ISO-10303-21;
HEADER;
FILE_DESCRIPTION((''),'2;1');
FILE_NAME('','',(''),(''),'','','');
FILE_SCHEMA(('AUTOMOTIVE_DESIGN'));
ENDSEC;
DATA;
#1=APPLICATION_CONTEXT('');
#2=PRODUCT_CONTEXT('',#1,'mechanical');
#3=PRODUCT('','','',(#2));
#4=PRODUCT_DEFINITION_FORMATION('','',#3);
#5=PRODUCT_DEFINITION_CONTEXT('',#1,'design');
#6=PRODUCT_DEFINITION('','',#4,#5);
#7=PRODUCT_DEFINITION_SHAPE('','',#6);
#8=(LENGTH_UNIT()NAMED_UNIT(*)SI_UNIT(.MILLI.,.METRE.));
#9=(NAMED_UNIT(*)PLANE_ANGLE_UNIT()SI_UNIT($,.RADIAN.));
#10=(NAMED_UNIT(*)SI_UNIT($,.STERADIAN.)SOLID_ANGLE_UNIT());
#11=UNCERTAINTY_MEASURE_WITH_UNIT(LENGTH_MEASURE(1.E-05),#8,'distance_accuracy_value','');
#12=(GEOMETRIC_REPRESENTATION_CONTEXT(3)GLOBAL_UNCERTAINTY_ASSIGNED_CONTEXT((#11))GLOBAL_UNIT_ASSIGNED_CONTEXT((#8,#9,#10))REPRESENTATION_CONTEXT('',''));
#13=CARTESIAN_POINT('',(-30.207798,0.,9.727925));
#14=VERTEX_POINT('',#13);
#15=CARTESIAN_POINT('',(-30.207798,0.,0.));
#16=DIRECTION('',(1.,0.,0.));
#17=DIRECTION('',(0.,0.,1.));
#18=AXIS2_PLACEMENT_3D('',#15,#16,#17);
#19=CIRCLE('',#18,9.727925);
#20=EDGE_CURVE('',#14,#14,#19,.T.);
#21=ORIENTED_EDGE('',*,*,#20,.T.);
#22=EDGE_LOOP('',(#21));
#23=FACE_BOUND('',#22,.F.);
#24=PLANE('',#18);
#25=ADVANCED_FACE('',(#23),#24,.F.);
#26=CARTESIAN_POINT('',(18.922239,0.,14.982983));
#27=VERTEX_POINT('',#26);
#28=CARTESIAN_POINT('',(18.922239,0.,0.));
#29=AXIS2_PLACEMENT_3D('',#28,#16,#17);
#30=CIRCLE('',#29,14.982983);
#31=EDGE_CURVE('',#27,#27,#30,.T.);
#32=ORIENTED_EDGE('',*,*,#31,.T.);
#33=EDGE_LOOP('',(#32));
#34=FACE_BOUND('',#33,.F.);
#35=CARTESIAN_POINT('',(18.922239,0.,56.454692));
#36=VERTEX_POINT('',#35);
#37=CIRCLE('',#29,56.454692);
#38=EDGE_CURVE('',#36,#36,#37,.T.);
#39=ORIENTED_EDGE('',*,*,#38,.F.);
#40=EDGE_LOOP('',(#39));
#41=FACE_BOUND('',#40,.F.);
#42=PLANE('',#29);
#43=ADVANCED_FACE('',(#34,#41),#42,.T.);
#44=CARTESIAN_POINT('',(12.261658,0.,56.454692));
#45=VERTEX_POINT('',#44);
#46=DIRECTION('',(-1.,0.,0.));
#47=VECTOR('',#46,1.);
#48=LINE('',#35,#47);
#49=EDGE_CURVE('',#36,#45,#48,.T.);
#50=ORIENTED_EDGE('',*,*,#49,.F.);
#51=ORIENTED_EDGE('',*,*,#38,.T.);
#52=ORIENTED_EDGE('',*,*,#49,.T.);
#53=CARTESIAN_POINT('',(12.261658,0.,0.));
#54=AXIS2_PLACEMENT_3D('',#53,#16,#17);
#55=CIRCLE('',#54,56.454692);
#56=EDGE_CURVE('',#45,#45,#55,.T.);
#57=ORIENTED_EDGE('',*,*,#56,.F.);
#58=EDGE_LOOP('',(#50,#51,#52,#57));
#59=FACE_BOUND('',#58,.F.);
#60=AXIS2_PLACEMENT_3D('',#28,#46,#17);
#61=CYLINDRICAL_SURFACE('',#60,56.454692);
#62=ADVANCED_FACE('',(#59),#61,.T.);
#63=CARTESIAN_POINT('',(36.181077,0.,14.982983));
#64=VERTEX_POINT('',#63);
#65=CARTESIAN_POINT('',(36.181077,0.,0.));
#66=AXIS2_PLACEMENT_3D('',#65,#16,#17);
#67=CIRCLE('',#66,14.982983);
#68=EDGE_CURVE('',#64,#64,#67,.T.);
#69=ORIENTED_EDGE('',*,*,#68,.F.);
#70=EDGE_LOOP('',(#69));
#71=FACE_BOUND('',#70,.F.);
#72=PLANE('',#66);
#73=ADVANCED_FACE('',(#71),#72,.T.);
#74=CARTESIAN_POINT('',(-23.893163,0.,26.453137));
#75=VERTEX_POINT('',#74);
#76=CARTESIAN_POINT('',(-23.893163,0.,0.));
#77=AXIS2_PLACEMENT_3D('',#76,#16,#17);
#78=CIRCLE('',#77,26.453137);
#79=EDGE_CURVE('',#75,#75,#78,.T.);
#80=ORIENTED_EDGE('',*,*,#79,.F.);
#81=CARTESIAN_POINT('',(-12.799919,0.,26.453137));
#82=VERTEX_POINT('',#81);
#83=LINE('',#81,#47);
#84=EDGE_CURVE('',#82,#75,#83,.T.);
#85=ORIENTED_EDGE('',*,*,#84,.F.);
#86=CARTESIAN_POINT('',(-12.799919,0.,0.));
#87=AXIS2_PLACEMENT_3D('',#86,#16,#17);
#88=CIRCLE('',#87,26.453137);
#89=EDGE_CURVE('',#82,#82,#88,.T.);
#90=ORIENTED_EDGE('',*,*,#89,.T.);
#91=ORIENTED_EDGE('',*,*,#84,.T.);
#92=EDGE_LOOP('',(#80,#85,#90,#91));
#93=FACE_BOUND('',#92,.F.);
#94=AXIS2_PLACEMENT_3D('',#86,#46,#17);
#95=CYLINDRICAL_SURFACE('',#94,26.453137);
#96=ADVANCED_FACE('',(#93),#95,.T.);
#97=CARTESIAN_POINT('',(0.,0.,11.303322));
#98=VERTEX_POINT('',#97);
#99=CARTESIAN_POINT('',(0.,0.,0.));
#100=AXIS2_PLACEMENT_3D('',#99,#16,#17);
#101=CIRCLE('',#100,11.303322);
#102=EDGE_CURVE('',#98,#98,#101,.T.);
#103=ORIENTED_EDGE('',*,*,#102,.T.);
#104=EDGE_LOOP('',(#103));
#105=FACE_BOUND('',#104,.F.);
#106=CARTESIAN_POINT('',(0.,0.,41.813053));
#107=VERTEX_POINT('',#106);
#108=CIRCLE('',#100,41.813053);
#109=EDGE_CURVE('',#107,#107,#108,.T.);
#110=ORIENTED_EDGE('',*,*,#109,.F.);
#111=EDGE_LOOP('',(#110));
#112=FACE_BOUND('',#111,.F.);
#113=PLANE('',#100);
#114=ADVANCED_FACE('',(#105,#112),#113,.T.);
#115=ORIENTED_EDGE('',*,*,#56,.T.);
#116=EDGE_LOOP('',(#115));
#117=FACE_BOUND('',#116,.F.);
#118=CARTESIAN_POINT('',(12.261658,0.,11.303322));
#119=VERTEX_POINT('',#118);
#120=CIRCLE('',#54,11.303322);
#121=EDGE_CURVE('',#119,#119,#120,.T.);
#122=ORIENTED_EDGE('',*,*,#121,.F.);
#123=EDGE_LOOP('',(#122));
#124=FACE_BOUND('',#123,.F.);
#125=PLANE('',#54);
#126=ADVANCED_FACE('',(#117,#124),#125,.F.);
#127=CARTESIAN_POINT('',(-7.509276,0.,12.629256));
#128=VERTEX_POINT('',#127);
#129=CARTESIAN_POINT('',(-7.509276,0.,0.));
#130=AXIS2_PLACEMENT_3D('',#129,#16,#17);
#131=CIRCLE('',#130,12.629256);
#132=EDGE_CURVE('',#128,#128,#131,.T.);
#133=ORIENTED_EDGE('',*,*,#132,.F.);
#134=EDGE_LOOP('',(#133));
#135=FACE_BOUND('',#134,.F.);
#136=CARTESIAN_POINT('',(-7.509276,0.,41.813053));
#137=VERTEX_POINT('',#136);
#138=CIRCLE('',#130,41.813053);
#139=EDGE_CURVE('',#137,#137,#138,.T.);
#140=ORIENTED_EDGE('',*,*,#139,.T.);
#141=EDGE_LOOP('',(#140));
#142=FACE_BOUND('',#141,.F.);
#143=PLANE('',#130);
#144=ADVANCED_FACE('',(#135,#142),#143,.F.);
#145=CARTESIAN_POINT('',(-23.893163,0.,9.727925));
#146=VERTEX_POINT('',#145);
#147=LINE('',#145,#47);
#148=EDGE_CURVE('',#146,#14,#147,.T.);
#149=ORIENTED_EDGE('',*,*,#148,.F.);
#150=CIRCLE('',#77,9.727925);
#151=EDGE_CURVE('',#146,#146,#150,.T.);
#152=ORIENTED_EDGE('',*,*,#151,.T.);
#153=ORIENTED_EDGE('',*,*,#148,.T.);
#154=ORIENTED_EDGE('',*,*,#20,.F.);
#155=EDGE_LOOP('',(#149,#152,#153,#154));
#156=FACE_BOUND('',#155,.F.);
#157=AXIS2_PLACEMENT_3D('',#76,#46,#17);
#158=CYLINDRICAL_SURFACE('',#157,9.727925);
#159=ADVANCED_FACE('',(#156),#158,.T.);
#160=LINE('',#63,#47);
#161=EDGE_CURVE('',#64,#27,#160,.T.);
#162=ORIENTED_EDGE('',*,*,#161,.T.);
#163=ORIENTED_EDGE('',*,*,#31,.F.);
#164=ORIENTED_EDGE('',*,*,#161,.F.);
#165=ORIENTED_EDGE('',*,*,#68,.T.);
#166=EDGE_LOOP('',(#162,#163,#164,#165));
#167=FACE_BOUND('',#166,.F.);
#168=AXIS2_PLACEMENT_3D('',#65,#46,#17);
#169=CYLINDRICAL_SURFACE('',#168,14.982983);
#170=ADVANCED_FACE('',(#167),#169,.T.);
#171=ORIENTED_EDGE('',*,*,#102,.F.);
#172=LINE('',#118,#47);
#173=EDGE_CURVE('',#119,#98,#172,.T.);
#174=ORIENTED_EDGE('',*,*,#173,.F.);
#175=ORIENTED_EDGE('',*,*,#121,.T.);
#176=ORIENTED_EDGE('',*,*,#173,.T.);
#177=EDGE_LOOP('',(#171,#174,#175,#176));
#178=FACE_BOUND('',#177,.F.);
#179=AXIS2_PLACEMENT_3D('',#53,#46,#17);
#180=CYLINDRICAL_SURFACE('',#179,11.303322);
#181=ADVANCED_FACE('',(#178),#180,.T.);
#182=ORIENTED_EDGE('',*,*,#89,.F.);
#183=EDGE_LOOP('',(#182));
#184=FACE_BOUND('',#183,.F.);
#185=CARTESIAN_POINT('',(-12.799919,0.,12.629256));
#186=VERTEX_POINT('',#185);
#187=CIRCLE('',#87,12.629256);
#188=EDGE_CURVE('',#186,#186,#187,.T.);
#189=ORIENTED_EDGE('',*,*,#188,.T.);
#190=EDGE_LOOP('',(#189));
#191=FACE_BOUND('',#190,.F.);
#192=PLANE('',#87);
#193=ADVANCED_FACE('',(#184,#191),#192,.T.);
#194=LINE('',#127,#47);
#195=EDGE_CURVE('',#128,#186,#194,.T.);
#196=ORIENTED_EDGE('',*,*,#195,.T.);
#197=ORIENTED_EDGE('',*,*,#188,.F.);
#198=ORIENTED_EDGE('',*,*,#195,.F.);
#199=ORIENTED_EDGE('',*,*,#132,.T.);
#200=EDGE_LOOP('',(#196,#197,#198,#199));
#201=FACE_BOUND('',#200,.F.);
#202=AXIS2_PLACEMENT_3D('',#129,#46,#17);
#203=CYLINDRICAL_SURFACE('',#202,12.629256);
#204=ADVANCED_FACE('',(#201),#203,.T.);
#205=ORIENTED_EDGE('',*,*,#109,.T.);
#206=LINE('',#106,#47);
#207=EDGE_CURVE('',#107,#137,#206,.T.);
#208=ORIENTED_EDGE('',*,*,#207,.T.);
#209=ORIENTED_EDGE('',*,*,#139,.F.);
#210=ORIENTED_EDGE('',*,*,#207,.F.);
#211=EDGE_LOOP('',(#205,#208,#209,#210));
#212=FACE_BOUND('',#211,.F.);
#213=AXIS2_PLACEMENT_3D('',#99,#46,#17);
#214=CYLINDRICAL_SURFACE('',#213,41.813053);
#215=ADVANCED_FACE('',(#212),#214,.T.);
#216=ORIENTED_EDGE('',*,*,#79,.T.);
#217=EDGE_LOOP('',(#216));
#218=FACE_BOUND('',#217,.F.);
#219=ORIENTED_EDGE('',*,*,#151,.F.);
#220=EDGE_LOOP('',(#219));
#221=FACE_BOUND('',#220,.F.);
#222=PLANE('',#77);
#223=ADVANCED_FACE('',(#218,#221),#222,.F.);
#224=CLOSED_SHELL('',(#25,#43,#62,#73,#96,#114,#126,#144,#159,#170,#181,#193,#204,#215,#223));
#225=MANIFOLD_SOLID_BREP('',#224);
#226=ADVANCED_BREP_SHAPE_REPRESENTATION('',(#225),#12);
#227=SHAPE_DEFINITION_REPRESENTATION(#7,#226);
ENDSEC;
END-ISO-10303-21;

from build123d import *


with BuildPart() as f2:
    # F0 (on Front) → F2 (revolve)
    with BuildSketch(Plane.XZ):
        Polygon((-30.207798, 0), (36.181077, 0), (36.181077, 14.982983), (18.922239, 14.982983), (18.922239, 25.734908), (18.922239, 56.454692), (12.261658, 56.454692), (12.261658, 11.303322), (0, 11.303322), (0, 41.813053), (-7.509276, 41.813053), (-7.509276, 12.629256), (-12.799919, 12.629256), (-12.799919, 26.453137), (-23.893163, 26.453137), (-23.893163, 9.727925), (-30.207798, 9.727925), align=None)
    revolve(axis=Axis((22.101179, 0, 0), (1, 0, 0)))


solid = f2.part
